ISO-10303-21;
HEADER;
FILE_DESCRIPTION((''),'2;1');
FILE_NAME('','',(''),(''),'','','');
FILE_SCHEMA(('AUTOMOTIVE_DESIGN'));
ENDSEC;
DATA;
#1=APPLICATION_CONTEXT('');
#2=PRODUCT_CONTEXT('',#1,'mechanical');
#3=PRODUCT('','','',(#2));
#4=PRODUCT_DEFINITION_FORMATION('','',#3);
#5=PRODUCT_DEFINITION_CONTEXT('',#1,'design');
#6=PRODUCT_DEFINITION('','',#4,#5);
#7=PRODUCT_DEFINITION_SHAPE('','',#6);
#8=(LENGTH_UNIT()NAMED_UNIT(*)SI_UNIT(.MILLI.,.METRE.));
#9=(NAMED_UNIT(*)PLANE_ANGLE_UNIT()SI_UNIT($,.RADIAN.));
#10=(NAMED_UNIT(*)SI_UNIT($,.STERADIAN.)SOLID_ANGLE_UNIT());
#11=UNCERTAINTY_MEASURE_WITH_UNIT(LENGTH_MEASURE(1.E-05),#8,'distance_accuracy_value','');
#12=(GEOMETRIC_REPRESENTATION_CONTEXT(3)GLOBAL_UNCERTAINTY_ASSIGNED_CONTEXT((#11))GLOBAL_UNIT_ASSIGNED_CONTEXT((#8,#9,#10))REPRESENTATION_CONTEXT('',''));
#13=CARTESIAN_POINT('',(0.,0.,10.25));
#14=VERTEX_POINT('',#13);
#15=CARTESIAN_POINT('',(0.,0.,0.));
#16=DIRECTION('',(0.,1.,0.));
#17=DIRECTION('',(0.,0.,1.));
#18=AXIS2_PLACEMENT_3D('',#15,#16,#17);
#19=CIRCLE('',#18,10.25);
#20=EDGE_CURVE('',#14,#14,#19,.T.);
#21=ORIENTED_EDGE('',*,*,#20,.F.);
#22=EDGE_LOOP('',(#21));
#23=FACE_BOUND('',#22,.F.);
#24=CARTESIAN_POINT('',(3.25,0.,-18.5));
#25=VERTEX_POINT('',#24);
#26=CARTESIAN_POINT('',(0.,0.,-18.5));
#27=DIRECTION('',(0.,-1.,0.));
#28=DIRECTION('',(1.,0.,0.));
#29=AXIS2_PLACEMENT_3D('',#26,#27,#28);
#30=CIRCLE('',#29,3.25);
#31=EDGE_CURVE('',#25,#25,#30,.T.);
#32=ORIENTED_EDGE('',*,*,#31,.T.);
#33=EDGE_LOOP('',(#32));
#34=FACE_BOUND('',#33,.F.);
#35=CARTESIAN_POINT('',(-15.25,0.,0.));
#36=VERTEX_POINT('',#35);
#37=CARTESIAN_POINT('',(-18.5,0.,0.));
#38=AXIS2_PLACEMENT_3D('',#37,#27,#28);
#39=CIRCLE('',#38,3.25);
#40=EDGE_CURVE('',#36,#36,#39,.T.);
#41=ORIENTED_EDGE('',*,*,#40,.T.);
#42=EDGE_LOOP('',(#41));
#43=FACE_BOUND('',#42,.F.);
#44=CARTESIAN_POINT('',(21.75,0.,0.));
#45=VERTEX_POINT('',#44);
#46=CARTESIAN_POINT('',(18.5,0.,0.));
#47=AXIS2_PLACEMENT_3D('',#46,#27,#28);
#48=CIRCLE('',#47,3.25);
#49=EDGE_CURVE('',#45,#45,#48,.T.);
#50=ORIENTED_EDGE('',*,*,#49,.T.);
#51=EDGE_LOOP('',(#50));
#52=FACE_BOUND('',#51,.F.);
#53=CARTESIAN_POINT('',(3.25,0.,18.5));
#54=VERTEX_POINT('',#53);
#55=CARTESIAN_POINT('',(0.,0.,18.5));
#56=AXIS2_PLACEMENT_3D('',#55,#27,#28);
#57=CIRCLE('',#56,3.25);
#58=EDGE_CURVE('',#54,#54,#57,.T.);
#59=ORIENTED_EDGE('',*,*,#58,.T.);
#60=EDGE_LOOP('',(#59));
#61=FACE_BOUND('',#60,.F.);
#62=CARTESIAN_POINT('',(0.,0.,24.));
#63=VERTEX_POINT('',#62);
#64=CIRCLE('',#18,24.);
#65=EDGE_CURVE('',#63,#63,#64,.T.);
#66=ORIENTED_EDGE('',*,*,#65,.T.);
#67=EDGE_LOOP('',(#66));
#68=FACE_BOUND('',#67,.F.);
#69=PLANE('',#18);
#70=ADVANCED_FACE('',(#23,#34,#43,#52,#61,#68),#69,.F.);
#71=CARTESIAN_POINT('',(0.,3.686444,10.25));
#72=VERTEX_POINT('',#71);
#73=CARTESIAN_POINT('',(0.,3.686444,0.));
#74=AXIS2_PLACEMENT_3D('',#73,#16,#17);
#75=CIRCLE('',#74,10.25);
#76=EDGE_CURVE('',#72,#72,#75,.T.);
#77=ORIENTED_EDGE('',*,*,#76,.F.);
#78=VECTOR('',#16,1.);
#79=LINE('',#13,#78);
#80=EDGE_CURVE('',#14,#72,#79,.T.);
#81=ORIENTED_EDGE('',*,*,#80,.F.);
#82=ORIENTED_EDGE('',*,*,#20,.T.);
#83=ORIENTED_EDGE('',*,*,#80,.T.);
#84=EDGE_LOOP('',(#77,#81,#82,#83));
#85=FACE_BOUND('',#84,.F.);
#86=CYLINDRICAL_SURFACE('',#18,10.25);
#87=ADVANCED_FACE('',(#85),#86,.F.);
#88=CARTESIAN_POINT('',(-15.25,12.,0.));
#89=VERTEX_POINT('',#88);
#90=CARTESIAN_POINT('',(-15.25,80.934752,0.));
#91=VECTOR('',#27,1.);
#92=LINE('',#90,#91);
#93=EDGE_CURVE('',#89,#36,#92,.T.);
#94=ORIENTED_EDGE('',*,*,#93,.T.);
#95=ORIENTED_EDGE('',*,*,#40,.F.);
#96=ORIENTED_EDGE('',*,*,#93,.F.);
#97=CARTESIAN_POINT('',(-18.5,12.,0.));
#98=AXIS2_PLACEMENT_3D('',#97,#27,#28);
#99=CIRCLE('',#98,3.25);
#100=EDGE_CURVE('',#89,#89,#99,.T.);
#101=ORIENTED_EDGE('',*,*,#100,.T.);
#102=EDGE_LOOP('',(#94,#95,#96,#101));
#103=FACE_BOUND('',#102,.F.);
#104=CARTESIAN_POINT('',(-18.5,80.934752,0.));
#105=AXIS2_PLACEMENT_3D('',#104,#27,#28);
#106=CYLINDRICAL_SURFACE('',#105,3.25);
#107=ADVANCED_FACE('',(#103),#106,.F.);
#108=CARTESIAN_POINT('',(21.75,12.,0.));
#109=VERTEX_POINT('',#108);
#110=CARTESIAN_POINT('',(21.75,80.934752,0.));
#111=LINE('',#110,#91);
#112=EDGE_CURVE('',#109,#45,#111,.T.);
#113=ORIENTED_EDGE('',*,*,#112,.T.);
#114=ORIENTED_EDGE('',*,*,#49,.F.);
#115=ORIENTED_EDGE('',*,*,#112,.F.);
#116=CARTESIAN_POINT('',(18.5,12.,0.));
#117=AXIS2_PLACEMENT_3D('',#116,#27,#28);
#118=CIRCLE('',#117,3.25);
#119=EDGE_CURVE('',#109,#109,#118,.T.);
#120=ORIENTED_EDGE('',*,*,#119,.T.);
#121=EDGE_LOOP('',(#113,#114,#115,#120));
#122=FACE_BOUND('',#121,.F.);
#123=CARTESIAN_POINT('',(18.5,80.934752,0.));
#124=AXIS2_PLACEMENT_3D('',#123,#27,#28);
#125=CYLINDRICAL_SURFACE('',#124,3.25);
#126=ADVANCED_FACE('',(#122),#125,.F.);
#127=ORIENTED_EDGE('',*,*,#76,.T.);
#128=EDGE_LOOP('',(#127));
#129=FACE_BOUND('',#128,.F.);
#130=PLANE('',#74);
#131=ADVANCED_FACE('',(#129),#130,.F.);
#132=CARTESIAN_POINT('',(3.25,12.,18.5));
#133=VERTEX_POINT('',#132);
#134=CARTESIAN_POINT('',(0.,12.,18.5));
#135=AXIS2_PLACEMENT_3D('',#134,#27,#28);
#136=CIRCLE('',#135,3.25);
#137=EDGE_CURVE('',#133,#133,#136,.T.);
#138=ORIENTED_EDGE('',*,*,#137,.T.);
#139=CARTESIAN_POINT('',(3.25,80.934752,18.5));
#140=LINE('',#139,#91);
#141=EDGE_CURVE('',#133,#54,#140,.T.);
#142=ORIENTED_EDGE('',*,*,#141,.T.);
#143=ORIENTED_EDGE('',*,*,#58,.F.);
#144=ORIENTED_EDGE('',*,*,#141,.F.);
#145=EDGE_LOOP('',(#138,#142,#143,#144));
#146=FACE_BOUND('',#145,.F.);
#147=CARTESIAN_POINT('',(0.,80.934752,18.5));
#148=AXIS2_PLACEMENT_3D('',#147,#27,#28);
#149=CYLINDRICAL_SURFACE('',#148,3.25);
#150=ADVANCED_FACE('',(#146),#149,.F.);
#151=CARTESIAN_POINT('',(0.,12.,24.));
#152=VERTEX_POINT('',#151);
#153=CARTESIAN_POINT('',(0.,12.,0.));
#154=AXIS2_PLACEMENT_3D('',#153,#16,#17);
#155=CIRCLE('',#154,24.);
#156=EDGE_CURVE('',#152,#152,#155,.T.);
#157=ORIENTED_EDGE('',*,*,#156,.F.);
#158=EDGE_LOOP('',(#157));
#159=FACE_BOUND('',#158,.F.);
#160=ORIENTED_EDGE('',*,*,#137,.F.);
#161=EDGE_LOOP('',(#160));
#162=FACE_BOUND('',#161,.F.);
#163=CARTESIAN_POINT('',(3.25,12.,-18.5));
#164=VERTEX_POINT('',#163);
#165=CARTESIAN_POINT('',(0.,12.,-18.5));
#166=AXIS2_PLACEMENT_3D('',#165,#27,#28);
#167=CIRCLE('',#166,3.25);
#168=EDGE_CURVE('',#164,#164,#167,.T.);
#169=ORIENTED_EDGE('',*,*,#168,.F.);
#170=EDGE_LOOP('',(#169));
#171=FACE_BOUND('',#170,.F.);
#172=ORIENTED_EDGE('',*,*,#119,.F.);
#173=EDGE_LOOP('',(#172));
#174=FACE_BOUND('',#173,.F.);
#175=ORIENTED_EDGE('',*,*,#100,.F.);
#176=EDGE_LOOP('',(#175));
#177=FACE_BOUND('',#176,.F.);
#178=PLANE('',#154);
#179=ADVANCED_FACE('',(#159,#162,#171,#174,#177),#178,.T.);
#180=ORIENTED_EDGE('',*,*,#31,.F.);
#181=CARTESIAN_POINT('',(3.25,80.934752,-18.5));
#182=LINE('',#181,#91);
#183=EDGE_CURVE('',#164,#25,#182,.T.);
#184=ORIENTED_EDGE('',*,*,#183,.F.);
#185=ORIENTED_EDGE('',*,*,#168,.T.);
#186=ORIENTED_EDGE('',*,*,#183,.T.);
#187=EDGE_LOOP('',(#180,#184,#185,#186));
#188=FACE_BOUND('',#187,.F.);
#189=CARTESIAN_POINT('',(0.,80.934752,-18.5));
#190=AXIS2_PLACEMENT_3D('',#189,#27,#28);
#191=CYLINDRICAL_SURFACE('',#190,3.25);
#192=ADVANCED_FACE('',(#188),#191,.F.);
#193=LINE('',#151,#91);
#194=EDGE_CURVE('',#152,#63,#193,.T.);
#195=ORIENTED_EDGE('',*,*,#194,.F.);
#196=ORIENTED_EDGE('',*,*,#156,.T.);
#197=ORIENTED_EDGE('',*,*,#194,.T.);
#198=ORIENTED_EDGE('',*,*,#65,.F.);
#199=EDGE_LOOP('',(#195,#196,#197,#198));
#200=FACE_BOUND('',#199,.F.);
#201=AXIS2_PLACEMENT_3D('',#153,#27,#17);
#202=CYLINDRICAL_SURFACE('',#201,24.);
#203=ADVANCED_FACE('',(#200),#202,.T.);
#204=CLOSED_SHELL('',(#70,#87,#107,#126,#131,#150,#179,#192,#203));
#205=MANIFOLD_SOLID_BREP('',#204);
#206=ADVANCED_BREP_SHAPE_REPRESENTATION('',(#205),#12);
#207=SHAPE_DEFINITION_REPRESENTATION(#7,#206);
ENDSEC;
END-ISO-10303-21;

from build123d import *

# Parameters (mm, degrees)
F3_D = 6.5


with BuildPart() as f1:
    # F0 (on Right) → F1 (revolve)
    with BuildSketch(Plane.YZ):
        Polygon((3.686444, 10.25), (3.686444, 0), (12, 0), (12, 24), (0, 24), (0, 10.25), align=None)
    revolve(axis=Axis((0, 7.843222, 0), (0, 1, 0)))

    # F3 (through all)
    with Locations(Plane(origin=(0, 12, 0), x_dir=(-1, 0, 0), z_dir=(0, 1, 0))):
        with Locations((0, 18.5), (-18.5, 0), (0, -18.5), (18.5, 0)):
            Hole(F3_D / 2)


solid = f1.part
